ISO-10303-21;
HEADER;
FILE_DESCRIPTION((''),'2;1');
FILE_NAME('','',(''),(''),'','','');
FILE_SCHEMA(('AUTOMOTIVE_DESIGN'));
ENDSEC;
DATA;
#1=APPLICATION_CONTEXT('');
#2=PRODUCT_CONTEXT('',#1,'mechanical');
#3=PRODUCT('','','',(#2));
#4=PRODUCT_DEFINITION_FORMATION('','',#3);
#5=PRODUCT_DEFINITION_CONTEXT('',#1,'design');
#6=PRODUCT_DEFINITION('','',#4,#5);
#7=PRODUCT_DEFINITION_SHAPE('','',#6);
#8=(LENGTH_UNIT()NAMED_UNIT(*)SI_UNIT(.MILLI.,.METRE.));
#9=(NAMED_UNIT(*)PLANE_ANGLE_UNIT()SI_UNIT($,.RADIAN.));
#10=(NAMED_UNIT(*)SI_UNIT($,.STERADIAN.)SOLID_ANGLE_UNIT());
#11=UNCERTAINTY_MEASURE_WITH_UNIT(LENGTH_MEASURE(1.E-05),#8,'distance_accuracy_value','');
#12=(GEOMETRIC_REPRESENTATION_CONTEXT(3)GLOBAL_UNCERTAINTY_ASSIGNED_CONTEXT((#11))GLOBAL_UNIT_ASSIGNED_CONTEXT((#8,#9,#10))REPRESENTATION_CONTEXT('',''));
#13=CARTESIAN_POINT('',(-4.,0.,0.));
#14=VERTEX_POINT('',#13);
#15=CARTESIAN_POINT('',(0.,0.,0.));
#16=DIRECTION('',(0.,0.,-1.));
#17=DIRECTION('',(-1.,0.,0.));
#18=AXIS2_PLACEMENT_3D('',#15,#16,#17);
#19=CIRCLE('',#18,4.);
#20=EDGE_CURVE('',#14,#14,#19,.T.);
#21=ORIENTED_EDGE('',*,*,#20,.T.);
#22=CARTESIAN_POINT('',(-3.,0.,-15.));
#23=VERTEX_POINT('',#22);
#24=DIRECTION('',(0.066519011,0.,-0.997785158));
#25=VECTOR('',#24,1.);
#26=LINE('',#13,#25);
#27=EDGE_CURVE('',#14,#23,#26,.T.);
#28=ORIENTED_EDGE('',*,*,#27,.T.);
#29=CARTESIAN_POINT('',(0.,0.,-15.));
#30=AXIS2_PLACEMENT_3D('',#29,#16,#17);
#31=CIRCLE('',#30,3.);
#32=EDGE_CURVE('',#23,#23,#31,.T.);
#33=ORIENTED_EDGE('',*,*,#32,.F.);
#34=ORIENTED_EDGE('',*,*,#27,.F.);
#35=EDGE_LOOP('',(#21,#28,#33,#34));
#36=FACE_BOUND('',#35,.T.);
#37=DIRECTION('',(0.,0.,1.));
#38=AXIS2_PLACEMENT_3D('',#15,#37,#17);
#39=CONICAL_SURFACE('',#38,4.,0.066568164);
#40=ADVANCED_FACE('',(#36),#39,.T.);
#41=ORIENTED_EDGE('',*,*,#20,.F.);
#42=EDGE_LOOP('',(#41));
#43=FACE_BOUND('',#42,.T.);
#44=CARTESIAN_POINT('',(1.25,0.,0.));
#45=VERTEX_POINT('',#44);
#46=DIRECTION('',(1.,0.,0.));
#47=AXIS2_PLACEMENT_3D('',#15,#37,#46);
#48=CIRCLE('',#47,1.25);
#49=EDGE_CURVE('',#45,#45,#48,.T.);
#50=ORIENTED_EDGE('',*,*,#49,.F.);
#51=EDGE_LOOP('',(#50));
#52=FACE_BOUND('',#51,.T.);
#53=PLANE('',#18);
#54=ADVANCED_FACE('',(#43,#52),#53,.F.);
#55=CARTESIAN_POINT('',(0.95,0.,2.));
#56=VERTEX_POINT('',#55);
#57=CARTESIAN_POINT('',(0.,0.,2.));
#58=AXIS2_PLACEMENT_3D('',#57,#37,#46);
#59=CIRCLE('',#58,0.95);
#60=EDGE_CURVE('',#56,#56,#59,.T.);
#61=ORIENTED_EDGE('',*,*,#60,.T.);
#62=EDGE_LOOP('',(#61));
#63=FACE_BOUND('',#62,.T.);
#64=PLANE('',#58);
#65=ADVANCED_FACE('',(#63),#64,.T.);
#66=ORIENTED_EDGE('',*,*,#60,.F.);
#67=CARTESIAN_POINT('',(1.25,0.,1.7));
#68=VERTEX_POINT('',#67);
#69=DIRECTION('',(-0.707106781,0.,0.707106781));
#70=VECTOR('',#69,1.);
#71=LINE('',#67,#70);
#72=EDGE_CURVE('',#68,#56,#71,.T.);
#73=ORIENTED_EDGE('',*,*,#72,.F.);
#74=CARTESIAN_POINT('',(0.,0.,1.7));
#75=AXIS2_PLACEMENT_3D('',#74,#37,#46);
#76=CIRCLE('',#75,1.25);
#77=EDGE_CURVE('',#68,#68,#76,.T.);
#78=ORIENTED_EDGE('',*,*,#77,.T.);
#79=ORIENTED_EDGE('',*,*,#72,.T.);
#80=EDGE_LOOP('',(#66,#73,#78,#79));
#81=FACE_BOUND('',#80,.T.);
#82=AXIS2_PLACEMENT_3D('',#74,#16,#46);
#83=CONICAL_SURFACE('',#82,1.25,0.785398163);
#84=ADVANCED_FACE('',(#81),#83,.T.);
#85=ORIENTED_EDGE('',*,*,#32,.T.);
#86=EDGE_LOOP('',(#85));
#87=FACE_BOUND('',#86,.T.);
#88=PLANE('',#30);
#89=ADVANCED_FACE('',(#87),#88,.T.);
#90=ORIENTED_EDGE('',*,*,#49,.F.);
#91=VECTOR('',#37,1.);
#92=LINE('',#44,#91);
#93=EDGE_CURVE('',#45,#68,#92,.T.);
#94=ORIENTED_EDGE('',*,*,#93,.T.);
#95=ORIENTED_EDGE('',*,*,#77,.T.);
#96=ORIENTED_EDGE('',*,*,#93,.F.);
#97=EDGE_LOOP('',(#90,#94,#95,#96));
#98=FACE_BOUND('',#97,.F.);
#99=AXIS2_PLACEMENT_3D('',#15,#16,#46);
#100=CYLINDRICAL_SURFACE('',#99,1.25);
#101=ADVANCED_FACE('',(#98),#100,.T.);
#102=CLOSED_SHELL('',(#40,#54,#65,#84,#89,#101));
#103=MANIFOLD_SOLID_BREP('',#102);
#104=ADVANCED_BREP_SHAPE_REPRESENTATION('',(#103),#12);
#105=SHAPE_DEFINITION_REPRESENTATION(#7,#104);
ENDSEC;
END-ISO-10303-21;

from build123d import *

# Parameters (mm, degrees)
F2_R     = 1.25
F3_DEPTH = 2
F4_SIZE  = 0.3


with BuildPart() as f1:
    # F0 (on Front) → F1 (revolve)
    with BuildSketch(Plane.XZ):
        Polygon((0, -15), (0, 0), (-4, 0), (-3, -15), align=None)
    revolve(axis=Axis((0, 0, -6.756781), (0, 0, -1)))

    # F2 (on face) → F3 (join)
    with BuildSketch(Plane.XY):
        Circle(F2_R)
    extrude(amount=F3_DEPTH)

    # F4
    f4_edges = [f1.edges().sort_by_distance(p)[0] for p in [
        (-1.25, 0, 2),
    ]]
    chamfer(f4_edges, length=F4_SIZE)


solid = f1.part
